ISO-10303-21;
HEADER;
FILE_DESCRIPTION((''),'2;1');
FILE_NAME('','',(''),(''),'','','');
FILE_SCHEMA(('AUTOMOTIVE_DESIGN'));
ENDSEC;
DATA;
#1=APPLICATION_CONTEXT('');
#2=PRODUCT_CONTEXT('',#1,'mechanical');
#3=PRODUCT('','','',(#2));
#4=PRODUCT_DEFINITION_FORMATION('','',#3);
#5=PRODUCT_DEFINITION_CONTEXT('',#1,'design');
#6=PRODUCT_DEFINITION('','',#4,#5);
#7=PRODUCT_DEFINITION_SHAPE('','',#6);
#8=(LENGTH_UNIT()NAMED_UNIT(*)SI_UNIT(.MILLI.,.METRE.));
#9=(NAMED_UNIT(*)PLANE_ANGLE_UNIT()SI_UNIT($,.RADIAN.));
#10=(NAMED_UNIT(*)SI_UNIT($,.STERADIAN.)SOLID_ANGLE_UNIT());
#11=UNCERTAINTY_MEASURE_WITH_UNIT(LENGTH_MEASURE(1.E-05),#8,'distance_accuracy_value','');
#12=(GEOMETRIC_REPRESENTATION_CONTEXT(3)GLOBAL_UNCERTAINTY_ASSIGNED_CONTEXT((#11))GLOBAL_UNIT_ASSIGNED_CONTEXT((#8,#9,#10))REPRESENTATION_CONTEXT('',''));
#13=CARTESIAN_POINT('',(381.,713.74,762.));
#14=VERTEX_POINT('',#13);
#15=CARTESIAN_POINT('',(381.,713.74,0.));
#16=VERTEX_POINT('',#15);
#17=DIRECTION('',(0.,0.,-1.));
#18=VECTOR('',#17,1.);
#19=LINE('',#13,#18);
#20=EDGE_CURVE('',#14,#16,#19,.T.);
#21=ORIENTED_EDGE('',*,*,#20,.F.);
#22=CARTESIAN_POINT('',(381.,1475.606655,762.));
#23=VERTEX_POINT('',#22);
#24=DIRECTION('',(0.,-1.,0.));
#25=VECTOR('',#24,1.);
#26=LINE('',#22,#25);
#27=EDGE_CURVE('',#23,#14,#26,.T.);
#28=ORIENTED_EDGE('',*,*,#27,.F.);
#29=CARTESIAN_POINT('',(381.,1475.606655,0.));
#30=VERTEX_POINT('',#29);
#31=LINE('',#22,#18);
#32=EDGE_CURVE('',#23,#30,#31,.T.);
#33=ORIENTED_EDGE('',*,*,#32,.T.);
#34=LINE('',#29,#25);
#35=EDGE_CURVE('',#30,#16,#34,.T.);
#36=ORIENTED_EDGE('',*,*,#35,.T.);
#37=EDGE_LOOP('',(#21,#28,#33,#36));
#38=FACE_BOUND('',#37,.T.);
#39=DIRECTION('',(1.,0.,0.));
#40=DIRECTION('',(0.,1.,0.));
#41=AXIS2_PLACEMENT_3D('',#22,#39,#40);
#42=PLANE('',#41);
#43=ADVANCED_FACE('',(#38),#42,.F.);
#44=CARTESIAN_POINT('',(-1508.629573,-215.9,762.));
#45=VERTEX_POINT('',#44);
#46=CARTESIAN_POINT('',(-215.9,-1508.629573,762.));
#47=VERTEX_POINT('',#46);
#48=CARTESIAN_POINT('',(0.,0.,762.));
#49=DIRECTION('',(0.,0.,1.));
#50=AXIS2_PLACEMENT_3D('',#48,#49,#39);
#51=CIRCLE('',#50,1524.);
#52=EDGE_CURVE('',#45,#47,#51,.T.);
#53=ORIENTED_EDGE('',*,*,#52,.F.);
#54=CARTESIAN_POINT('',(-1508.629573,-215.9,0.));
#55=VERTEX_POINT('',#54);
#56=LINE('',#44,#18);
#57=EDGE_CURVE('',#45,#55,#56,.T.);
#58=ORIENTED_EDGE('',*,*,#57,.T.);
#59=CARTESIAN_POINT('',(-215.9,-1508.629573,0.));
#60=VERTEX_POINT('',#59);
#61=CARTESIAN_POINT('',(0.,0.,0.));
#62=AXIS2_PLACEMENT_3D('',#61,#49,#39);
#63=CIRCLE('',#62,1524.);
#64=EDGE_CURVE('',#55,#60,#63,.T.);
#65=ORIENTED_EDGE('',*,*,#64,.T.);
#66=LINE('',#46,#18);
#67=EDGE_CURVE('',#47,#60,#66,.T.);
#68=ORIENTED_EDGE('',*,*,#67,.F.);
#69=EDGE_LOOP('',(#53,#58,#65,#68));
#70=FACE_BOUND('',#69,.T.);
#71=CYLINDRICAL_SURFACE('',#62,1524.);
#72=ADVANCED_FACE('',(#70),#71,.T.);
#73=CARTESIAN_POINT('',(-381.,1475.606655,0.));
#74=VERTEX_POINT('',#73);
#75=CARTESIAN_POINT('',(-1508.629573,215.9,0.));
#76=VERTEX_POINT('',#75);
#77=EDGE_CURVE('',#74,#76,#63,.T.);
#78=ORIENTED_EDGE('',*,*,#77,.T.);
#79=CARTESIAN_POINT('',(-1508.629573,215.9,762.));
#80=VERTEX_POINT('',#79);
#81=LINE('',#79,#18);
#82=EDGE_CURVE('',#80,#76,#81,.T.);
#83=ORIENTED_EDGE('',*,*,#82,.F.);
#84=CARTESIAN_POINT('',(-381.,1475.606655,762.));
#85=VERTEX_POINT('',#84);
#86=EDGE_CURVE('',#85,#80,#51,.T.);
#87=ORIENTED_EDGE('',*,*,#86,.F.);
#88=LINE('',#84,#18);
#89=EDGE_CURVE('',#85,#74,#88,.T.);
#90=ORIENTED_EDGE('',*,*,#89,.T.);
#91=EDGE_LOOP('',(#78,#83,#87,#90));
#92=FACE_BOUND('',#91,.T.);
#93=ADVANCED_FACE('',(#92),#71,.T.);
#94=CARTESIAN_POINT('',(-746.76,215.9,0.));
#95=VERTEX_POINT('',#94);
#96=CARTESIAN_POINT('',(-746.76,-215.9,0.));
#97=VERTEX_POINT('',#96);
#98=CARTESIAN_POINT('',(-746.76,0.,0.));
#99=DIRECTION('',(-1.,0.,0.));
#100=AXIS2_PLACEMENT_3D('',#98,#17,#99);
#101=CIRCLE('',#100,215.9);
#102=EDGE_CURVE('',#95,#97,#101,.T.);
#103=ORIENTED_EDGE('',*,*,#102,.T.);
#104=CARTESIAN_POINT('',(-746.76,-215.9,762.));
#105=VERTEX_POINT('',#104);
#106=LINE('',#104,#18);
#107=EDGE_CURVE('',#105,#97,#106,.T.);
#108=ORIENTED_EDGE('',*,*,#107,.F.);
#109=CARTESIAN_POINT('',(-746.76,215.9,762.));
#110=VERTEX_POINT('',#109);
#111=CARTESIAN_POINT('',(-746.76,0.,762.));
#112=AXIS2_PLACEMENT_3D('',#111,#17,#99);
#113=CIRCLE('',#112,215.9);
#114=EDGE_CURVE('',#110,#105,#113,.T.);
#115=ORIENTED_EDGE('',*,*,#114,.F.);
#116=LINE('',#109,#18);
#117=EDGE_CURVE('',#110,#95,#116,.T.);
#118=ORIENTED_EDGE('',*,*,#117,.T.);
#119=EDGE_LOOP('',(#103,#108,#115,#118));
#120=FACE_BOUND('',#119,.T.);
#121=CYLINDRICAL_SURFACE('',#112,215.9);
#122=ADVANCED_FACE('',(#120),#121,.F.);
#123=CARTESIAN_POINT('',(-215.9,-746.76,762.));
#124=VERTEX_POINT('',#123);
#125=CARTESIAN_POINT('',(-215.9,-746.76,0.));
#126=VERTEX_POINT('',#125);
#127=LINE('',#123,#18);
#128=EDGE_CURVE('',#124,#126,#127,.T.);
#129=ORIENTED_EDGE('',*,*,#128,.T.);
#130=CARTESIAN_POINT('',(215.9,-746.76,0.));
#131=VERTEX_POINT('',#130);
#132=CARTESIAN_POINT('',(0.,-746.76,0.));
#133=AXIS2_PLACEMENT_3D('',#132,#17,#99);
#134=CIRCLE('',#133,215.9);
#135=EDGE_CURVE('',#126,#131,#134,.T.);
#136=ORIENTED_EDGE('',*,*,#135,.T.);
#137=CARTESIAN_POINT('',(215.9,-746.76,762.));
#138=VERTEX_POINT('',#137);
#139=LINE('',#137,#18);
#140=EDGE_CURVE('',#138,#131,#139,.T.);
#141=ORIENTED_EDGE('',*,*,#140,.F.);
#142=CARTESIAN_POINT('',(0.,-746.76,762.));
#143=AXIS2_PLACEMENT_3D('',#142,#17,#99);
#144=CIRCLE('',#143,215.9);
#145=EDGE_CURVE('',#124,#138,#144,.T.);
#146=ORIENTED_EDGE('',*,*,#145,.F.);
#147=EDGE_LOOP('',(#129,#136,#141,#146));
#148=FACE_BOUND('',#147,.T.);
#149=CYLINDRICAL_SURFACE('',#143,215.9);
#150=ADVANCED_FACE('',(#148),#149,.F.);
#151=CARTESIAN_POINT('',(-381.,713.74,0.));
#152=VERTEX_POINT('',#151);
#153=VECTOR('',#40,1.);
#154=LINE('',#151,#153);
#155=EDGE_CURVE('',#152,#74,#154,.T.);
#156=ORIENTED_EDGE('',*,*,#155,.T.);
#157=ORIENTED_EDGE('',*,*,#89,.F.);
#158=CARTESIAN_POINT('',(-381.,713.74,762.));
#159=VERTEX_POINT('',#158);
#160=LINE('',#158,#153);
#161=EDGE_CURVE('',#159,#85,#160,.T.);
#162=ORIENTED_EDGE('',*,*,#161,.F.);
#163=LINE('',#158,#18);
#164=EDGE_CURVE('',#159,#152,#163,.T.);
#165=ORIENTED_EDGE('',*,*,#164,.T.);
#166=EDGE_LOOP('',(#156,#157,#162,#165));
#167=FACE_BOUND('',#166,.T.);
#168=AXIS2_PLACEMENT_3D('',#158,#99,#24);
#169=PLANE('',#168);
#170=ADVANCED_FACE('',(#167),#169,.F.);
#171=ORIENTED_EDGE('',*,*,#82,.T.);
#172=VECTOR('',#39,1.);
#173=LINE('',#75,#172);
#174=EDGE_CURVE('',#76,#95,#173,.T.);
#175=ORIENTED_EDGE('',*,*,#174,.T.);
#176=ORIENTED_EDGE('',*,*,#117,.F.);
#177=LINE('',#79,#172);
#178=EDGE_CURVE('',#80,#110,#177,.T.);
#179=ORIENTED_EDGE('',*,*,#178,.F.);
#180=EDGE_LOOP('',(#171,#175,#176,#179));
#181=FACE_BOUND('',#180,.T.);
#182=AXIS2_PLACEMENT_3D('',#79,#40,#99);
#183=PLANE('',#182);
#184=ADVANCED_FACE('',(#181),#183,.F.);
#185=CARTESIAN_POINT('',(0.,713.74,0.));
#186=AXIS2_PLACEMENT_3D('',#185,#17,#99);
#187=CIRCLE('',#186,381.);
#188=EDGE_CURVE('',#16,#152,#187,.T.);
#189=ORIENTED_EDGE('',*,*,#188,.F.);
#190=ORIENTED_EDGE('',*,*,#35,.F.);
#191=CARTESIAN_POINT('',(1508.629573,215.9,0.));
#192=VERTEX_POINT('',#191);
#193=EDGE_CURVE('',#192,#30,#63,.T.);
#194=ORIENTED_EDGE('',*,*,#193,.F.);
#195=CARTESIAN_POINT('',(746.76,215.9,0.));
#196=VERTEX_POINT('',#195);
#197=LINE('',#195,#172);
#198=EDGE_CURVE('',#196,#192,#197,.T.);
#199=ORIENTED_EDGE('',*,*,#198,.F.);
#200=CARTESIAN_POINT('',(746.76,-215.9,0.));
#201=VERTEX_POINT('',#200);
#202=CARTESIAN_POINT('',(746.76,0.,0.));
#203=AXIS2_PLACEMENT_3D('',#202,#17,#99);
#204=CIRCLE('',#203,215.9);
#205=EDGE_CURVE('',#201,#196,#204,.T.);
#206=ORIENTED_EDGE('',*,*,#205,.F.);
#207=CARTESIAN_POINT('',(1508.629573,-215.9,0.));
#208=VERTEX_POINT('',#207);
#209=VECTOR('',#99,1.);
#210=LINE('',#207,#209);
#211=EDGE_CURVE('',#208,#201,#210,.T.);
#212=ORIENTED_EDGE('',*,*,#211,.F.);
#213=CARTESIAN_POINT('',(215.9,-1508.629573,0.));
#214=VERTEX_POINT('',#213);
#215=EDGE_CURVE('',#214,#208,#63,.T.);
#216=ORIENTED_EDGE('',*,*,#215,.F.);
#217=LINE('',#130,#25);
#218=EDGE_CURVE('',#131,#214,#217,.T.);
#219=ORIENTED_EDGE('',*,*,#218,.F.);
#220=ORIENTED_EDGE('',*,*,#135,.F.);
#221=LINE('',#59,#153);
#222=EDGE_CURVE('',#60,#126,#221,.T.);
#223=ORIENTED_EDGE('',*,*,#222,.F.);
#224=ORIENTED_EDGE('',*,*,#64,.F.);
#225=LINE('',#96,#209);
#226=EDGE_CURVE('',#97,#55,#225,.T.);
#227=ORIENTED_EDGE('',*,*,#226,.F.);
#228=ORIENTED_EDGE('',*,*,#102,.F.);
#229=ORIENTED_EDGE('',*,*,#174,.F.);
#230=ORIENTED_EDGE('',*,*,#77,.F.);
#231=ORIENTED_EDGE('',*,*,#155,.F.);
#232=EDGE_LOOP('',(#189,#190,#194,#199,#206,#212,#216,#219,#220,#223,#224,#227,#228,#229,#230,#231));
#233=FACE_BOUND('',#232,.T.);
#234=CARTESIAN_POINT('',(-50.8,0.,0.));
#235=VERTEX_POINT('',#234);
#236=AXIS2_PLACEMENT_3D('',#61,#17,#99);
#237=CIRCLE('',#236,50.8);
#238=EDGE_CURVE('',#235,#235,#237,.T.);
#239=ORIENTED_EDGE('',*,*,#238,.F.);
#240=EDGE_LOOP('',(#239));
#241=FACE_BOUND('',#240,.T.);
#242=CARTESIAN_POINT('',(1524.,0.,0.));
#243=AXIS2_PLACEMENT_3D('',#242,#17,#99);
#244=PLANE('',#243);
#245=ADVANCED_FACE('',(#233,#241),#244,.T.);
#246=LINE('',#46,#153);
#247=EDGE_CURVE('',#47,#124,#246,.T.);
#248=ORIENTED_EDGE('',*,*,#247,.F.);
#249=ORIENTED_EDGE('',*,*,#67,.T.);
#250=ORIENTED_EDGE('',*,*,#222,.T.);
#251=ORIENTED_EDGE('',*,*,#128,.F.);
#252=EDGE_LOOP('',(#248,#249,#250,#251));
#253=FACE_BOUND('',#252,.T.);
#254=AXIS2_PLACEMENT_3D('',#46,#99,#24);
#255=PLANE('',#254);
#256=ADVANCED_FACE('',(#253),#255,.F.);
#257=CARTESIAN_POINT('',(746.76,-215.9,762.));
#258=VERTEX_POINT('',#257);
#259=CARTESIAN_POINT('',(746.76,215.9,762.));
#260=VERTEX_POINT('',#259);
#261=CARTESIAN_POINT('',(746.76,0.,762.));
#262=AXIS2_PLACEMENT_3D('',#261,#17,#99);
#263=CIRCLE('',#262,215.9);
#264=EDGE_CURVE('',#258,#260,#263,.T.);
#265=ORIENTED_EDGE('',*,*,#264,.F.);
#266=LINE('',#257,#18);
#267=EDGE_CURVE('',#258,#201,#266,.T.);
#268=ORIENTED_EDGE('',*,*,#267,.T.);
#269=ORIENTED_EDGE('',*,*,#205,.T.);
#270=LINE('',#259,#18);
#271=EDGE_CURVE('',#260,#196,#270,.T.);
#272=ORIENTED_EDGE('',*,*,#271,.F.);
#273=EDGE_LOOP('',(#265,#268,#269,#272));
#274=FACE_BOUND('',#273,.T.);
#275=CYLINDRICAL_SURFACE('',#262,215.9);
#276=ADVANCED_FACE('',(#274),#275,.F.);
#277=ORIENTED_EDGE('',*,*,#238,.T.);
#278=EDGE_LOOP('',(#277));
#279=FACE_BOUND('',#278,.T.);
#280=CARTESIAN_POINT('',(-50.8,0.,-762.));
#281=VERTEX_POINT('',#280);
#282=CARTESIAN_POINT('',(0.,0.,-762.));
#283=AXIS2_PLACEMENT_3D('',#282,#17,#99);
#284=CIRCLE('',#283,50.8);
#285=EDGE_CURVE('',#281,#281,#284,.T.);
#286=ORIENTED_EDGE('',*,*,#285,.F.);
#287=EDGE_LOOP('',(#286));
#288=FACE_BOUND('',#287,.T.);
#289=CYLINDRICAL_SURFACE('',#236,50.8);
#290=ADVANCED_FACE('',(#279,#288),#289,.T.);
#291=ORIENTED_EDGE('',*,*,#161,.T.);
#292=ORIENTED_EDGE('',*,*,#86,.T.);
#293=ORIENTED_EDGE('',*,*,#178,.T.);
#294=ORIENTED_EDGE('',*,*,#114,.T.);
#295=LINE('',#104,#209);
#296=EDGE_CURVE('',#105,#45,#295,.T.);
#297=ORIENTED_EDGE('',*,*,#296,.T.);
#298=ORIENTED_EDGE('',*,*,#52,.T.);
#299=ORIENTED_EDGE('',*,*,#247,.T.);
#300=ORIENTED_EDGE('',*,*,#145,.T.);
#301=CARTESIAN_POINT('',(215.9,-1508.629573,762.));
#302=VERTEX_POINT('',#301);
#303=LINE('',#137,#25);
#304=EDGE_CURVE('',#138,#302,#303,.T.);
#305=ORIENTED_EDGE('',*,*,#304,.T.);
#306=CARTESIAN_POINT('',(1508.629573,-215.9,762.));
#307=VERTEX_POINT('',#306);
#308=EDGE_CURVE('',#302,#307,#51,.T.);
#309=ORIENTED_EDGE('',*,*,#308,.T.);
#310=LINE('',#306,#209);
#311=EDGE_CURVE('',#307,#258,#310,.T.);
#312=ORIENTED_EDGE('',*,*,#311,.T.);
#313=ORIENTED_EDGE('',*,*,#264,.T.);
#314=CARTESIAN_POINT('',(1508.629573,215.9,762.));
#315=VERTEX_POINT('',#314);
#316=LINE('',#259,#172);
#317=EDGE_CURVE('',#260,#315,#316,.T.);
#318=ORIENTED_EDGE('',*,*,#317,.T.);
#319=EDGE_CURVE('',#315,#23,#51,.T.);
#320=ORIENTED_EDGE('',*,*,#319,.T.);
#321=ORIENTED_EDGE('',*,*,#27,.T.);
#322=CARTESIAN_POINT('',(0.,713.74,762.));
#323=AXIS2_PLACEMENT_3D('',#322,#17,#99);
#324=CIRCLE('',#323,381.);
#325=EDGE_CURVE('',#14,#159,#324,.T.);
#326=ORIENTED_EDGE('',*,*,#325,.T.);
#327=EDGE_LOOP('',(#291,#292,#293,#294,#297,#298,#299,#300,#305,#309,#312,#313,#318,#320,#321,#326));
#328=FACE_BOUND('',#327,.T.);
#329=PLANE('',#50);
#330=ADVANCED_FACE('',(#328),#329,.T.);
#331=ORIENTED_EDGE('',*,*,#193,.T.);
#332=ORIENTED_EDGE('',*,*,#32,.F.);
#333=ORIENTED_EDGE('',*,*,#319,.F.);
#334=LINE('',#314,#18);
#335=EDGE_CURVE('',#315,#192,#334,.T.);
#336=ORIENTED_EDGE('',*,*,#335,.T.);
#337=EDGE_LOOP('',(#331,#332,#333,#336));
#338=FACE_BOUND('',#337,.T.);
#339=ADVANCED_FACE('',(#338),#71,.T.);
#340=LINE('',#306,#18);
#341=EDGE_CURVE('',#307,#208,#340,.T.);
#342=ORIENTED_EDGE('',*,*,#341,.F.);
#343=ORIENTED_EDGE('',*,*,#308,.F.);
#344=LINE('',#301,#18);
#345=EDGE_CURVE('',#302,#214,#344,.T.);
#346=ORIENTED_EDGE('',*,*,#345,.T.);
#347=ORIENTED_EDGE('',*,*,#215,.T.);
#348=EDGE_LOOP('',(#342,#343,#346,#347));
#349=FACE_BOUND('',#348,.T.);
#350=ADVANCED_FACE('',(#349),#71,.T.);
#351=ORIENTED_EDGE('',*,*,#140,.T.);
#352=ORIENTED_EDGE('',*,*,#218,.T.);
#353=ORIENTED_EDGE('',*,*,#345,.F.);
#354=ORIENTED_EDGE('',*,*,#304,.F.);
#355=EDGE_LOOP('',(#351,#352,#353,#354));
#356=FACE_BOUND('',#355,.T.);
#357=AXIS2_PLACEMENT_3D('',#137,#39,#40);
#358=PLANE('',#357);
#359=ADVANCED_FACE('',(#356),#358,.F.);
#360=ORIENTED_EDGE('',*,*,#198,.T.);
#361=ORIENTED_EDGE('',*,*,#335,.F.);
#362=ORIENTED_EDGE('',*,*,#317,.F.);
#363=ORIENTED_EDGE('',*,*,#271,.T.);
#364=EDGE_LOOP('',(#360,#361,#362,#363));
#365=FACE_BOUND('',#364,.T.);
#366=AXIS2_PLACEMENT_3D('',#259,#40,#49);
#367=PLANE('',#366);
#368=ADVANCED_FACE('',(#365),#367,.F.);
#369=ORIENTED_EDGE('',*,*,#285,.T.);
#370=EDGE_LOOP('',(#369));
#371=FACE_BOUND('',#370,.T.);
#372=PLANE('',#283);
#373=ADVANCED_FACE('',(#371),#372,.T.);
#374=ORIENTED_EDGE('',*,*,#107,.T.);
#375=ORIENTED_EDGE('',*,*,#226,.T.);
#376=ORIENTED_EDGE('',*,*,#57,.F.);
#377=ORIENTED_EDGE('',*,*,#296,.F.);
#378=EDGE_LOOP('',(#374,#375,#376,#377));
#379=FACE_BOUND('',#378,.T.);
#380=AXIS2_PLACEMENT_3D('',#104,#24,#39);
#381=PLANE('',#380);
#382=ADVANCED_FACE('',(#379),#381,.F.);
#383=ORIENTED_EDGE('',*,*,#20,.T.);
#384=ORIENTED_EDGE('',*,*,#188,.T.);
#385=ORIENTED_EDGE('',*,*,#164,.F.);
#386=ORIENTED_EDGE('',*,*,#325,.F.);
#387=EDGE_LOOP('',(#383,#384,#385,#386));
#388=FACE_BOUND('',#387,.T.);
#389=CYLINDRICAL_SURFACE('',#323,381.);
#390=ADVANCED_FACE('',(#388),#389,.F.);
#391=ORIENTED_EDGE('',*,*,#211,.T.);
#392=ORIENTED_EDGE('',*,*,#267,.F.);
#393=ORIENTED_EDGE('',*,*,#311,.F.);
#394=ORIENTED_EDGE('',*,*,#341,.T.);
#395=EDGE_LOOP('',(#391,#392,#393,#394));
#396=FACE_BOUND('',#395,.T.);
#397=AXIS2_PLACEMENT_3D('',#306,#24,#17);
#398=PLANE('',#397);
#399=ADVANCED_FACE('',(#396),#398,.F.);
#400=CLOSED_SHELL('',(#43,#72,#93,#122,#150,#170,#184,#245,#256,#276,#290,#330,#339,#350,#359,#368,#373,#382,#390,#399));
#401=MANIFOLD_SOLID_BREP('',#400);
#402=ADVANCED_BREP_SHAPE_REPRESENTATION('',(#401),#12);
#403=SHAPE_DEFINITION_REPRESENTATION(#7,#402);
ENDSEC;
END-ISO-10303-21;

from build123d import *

# Parameters (mm, degrees)
SKETCH1_W          = 1524
SKETCH1_H          = 762
CUT_EXTRUDE1_DEPTH = 2287
CUT_EXTRUDE2_DEPTH = 2287
CUT_EXTRUDE3_DEPTH = 2287
CUT_EXTRUDE4_DEPTH = 2276.781885419
SKETCH6_W          = 50.8
SKETCH6_H          = 762


with BuildPart() as part:
    # Sketch1 → Revolve1 (revolve)
    with BuildSketch(Plane(origin=(0, 0, 0), x_dir=(1, 0, 0), z_dir=(0, 1, 0))):
        with Locations((762, -381)):
            Rectangle(SKETCH1_W, SKETCH1_H)
    revolve(axis=Axis((0, 0, 0), (0, 0, 1)))

    # Sketch2 → Cut-Extrude1 (cut, through all)
    with BuildSketch(Plane(origin=(0, 0, 0), x_dir=(-1, 0, 0), z_dir=(0, 0, -1))):
        with BuildLine():
            Line((215.9, -1508.629573487), (215.9, -746.76))
            ThreePointArc((215.9, -746.76), (0, -530.86), (-215.9, -746.76))
            Line((-215.9, -746.76), (-215.9, -1508.629573487))
            ThreePointArc((-215.9, -1508.629573487), (0, -1524), (215.9, -1508.629573487))
        make_face()
    extrude(amount=-CUT_EXTRUDE1_DEPTH, mode=Mode.SUBTRACT)

    # Sketch3 → Cut-Extrude2 (cut, through all)
    with BuildSketch(Plane(origin=(0, 0, 0), x_dir=(-1, 0, 0), z_dir=(0, 0, -1))):
        with BuildLine():
            Line((-1508.629573487, -215.9), (-746.76, -215.9))
            ThreePointArc((-746.76, -215.9), (-530.86, 0), (-746.76, 215.9))
            Line((-746.76, 215.9), (-1508.629573487, 215.9))
            ThreePointArc((-1508.629573487, 215.9), (-1524, 0), (-1508.629573487, -215.9))
        make_face()
    extrude(amount=-CUT_EXTRUDE2_DEPTH, mode=Mode.SUBTRACT)

    # Sketch4 → Cut-Extrude3 (cut, through all)
    with BuildSketch(Plane(origin=(0, 0, 0), x_dir=(-1, 0, 0), z_dir=(0, 0, -1))):
        with BuildLine():
            Line((-381, 1475.606654905), (-381, 713.739999999))
            ThreePointArc((-381, 713.739999999), (0, 332.739999999), (381, 713.739999999))
            Line((381, 713.739999999), (381, 1475.606654905))
            ThreePointArc((381, 1475.606654905), (0, 1524), (-381, 1475.606654905))
        make_face()
    extrude(amount=-CUT_EXTRUDE3_DEPTH, mode=Mode.SUBTRACT)

    # Sketch5 → Cut-Extrude4 (cut, through all)
    with BuildSketch(Plane(origin=(0, 0, 0), x_dir=(-1, 0, 0), z_dir=(0, 0, -1))):
        with BuildLine():
            Line((1508.629573487, 215.9), (746.76, 215.9))
            ThreePointArc((746.76, 215.9), (530.86, 0), (746.76, -215.9))
            Line((746.76, -215.9), (1508.629573487, -215.9))
            ThreePointArc((1508.629573487, -215.9), (1524, 0), (1508.629573487, 215.9))
        make_face()
    extrude(amount=-CUT_EXTRUDE4_DEPTH, mode=Mode.SUBTRACT)

    # Sketch6 → Revolve2 (revolve)
    with BuildSketch(Plane.XZ, mode=Mode.PRIVATE) as revolve2_sk:
        with Locations((25.4, -381)):
            Rectangle(SKETCH6_W, SKETCH6_H)
    revolve(revolve2_sk.sketch.rotate(Axis((0, 0, 0), (0, 0, -1)), 180), axis=Axis((0, 0, 0), (0, 0, -1)))


solid = part.part
